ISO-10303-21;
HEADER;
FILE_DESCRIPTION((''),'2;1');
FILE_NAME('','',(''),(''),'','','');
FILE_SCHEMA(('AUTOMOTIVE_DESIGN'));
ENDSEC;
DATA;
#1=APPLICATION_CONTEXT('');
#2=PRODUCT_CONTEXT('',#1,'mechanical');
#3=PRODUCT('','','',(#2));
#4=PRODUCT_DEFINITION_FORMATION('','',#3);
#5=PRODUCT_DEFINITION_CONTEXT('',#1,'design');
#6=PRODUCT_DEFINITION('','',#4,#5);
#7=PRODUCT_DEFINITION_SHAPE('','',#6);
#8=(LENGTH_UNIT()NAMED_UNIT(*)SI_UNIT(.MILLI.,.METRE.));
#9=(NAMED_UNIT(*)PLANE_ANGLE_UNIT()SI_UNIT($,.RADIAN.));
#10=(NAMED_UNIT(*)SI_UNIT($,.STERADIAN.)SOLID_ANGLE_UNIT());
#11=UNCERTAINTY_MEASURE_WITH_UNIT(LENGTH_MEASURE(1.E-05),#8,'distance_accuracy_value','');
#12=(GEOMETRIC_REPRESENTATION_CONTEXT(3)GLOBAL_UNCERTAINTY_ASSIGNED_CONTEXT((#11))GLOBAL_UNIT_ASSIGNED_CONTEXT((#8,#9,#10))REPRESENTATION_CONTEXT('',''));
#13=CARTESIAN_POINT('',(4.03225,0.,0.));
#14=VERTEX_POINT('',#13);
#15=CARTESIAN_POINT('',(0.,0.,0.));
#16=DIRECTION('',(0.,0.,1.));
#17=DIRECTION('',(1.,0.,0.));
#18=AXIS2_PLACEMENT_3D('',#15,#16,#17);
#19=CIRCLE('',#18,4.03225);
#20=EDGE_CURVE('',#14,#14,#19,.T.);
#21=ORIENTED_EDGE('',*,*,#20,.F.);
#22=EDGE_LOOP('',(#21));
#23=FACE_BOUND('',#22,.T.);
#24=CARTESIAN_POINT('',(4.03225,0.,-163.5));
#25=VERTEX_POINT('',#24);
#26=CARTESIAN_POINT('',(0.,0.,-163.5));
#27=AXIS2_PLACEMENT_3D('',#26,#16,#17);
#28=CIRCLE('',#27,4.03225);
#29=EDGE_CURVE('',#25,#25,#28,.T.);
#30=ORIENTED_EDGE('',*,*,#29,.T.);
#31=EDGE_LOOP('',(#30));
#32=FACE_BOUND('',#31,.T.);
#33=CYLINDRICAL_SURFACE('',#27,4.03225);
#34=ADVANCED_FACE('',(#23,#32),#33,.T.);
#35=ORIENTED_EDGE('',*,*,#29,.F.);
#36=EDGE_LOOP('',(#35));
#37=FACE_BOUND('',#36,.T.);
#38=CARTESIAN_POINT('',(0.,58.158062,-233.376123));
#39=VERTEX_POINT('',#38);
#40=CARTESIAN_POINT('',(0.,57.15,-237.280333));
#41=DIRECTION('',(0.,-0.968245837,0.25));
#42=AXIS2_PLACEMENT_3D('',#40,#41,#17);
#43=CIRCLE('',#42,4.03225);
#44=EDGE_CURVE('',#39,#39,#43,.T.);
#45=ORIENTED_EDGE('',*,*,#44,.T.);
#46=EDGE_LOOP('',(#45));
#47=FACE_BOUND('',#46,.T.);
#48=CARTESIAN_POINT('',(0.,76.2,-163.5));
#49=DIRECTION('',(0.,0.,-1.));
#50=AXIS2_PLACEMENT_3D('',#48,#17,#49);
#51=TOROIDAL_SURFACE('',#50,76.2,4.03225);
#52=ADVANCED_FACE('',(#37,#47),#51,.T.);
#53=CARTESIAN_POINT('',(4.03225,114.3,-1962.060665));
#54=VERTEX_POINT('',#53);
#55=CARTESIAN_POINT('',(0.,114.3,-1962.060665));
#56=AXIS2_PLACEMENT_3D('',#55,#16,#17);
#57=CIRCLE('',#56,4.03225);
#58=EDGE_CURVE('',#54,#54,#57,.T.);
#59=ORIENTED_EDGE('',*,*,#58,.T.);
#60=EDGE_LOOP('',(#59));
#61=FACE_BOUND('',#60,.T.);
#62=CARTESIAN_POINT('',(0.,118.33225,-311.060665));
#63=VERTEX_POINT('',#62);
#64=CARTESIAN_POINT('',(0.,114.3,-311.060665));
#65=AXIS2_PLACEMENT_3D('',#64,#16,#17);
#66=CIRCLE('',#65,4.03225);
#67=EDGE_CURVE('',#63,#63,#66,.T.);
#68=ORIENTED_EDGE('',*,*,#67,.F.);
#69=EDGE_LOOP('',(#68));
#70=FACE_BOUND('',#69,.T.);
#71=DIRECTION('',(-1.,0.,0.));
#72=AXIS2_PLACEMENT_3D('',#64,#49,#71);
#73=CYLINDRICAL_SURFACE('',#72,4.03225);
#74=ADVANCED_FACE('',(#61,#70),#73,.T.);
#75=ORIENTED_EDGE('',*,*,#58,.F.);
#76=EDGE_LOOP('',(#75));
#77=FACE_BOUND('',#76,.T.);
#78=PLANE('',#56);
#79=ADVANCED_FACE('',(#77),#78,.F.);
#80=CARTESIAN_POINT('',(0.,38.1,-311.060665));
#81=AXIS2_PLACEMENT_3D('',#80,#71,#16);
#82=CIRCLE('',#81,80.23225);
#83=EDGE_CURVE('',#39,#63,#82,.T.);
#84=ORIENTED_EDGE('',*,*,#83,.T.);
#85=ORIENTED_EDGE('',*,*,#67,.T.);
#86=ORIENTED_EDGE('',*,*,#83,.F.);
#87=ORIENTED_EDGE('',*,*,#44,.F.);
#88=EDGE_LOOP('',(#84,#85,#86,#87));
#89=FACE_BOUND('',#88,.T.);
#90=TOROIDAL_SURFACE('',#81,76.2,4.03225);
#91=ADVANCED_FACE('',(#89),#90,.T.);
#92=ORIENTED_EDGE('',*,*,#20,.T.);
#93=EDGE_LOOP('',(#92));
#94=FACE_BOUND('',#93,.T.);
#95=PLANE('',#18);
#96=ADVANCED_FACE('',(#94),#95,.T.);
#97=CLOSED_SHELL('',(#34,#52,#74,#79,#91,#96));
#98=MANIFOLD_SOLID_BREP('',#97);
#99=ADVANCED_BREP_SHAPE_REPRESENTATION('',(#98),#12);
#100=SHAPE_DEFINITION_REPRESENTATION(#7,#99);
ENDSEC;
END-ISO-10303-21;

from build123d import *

# Parameters (mm, degrees)
SKETCH1_R = 4.03225


with BuildPart() as part:
    # Sweep1: sweep along a path in Sketch2
    with BuildLine(Plane(origin=(0, 0, 0), x_dir=(0, 0, -1), z_dir=(1, 0, 0))) as sweep1_path:
        Line((0, 0), (163.5, 0))
        ThreePointArc((163.5, 0), (210.1627796, 15.958610574), (237.280332745, 57.15))
        ThreePointArc((237.280332745, 57.15), (264.39788589, 98.341389426), (311.060665491, 114.3))
        Line((311.060665491, 114.3), (1962.060665491, 114.3))
    # Sketch1 → Sweep1 (sweep)
    with BuildSketch(Plane.XY):
        Circle(SKETCH1_R)
    sweep(path=sweep1_path.line)


solid = part.part
